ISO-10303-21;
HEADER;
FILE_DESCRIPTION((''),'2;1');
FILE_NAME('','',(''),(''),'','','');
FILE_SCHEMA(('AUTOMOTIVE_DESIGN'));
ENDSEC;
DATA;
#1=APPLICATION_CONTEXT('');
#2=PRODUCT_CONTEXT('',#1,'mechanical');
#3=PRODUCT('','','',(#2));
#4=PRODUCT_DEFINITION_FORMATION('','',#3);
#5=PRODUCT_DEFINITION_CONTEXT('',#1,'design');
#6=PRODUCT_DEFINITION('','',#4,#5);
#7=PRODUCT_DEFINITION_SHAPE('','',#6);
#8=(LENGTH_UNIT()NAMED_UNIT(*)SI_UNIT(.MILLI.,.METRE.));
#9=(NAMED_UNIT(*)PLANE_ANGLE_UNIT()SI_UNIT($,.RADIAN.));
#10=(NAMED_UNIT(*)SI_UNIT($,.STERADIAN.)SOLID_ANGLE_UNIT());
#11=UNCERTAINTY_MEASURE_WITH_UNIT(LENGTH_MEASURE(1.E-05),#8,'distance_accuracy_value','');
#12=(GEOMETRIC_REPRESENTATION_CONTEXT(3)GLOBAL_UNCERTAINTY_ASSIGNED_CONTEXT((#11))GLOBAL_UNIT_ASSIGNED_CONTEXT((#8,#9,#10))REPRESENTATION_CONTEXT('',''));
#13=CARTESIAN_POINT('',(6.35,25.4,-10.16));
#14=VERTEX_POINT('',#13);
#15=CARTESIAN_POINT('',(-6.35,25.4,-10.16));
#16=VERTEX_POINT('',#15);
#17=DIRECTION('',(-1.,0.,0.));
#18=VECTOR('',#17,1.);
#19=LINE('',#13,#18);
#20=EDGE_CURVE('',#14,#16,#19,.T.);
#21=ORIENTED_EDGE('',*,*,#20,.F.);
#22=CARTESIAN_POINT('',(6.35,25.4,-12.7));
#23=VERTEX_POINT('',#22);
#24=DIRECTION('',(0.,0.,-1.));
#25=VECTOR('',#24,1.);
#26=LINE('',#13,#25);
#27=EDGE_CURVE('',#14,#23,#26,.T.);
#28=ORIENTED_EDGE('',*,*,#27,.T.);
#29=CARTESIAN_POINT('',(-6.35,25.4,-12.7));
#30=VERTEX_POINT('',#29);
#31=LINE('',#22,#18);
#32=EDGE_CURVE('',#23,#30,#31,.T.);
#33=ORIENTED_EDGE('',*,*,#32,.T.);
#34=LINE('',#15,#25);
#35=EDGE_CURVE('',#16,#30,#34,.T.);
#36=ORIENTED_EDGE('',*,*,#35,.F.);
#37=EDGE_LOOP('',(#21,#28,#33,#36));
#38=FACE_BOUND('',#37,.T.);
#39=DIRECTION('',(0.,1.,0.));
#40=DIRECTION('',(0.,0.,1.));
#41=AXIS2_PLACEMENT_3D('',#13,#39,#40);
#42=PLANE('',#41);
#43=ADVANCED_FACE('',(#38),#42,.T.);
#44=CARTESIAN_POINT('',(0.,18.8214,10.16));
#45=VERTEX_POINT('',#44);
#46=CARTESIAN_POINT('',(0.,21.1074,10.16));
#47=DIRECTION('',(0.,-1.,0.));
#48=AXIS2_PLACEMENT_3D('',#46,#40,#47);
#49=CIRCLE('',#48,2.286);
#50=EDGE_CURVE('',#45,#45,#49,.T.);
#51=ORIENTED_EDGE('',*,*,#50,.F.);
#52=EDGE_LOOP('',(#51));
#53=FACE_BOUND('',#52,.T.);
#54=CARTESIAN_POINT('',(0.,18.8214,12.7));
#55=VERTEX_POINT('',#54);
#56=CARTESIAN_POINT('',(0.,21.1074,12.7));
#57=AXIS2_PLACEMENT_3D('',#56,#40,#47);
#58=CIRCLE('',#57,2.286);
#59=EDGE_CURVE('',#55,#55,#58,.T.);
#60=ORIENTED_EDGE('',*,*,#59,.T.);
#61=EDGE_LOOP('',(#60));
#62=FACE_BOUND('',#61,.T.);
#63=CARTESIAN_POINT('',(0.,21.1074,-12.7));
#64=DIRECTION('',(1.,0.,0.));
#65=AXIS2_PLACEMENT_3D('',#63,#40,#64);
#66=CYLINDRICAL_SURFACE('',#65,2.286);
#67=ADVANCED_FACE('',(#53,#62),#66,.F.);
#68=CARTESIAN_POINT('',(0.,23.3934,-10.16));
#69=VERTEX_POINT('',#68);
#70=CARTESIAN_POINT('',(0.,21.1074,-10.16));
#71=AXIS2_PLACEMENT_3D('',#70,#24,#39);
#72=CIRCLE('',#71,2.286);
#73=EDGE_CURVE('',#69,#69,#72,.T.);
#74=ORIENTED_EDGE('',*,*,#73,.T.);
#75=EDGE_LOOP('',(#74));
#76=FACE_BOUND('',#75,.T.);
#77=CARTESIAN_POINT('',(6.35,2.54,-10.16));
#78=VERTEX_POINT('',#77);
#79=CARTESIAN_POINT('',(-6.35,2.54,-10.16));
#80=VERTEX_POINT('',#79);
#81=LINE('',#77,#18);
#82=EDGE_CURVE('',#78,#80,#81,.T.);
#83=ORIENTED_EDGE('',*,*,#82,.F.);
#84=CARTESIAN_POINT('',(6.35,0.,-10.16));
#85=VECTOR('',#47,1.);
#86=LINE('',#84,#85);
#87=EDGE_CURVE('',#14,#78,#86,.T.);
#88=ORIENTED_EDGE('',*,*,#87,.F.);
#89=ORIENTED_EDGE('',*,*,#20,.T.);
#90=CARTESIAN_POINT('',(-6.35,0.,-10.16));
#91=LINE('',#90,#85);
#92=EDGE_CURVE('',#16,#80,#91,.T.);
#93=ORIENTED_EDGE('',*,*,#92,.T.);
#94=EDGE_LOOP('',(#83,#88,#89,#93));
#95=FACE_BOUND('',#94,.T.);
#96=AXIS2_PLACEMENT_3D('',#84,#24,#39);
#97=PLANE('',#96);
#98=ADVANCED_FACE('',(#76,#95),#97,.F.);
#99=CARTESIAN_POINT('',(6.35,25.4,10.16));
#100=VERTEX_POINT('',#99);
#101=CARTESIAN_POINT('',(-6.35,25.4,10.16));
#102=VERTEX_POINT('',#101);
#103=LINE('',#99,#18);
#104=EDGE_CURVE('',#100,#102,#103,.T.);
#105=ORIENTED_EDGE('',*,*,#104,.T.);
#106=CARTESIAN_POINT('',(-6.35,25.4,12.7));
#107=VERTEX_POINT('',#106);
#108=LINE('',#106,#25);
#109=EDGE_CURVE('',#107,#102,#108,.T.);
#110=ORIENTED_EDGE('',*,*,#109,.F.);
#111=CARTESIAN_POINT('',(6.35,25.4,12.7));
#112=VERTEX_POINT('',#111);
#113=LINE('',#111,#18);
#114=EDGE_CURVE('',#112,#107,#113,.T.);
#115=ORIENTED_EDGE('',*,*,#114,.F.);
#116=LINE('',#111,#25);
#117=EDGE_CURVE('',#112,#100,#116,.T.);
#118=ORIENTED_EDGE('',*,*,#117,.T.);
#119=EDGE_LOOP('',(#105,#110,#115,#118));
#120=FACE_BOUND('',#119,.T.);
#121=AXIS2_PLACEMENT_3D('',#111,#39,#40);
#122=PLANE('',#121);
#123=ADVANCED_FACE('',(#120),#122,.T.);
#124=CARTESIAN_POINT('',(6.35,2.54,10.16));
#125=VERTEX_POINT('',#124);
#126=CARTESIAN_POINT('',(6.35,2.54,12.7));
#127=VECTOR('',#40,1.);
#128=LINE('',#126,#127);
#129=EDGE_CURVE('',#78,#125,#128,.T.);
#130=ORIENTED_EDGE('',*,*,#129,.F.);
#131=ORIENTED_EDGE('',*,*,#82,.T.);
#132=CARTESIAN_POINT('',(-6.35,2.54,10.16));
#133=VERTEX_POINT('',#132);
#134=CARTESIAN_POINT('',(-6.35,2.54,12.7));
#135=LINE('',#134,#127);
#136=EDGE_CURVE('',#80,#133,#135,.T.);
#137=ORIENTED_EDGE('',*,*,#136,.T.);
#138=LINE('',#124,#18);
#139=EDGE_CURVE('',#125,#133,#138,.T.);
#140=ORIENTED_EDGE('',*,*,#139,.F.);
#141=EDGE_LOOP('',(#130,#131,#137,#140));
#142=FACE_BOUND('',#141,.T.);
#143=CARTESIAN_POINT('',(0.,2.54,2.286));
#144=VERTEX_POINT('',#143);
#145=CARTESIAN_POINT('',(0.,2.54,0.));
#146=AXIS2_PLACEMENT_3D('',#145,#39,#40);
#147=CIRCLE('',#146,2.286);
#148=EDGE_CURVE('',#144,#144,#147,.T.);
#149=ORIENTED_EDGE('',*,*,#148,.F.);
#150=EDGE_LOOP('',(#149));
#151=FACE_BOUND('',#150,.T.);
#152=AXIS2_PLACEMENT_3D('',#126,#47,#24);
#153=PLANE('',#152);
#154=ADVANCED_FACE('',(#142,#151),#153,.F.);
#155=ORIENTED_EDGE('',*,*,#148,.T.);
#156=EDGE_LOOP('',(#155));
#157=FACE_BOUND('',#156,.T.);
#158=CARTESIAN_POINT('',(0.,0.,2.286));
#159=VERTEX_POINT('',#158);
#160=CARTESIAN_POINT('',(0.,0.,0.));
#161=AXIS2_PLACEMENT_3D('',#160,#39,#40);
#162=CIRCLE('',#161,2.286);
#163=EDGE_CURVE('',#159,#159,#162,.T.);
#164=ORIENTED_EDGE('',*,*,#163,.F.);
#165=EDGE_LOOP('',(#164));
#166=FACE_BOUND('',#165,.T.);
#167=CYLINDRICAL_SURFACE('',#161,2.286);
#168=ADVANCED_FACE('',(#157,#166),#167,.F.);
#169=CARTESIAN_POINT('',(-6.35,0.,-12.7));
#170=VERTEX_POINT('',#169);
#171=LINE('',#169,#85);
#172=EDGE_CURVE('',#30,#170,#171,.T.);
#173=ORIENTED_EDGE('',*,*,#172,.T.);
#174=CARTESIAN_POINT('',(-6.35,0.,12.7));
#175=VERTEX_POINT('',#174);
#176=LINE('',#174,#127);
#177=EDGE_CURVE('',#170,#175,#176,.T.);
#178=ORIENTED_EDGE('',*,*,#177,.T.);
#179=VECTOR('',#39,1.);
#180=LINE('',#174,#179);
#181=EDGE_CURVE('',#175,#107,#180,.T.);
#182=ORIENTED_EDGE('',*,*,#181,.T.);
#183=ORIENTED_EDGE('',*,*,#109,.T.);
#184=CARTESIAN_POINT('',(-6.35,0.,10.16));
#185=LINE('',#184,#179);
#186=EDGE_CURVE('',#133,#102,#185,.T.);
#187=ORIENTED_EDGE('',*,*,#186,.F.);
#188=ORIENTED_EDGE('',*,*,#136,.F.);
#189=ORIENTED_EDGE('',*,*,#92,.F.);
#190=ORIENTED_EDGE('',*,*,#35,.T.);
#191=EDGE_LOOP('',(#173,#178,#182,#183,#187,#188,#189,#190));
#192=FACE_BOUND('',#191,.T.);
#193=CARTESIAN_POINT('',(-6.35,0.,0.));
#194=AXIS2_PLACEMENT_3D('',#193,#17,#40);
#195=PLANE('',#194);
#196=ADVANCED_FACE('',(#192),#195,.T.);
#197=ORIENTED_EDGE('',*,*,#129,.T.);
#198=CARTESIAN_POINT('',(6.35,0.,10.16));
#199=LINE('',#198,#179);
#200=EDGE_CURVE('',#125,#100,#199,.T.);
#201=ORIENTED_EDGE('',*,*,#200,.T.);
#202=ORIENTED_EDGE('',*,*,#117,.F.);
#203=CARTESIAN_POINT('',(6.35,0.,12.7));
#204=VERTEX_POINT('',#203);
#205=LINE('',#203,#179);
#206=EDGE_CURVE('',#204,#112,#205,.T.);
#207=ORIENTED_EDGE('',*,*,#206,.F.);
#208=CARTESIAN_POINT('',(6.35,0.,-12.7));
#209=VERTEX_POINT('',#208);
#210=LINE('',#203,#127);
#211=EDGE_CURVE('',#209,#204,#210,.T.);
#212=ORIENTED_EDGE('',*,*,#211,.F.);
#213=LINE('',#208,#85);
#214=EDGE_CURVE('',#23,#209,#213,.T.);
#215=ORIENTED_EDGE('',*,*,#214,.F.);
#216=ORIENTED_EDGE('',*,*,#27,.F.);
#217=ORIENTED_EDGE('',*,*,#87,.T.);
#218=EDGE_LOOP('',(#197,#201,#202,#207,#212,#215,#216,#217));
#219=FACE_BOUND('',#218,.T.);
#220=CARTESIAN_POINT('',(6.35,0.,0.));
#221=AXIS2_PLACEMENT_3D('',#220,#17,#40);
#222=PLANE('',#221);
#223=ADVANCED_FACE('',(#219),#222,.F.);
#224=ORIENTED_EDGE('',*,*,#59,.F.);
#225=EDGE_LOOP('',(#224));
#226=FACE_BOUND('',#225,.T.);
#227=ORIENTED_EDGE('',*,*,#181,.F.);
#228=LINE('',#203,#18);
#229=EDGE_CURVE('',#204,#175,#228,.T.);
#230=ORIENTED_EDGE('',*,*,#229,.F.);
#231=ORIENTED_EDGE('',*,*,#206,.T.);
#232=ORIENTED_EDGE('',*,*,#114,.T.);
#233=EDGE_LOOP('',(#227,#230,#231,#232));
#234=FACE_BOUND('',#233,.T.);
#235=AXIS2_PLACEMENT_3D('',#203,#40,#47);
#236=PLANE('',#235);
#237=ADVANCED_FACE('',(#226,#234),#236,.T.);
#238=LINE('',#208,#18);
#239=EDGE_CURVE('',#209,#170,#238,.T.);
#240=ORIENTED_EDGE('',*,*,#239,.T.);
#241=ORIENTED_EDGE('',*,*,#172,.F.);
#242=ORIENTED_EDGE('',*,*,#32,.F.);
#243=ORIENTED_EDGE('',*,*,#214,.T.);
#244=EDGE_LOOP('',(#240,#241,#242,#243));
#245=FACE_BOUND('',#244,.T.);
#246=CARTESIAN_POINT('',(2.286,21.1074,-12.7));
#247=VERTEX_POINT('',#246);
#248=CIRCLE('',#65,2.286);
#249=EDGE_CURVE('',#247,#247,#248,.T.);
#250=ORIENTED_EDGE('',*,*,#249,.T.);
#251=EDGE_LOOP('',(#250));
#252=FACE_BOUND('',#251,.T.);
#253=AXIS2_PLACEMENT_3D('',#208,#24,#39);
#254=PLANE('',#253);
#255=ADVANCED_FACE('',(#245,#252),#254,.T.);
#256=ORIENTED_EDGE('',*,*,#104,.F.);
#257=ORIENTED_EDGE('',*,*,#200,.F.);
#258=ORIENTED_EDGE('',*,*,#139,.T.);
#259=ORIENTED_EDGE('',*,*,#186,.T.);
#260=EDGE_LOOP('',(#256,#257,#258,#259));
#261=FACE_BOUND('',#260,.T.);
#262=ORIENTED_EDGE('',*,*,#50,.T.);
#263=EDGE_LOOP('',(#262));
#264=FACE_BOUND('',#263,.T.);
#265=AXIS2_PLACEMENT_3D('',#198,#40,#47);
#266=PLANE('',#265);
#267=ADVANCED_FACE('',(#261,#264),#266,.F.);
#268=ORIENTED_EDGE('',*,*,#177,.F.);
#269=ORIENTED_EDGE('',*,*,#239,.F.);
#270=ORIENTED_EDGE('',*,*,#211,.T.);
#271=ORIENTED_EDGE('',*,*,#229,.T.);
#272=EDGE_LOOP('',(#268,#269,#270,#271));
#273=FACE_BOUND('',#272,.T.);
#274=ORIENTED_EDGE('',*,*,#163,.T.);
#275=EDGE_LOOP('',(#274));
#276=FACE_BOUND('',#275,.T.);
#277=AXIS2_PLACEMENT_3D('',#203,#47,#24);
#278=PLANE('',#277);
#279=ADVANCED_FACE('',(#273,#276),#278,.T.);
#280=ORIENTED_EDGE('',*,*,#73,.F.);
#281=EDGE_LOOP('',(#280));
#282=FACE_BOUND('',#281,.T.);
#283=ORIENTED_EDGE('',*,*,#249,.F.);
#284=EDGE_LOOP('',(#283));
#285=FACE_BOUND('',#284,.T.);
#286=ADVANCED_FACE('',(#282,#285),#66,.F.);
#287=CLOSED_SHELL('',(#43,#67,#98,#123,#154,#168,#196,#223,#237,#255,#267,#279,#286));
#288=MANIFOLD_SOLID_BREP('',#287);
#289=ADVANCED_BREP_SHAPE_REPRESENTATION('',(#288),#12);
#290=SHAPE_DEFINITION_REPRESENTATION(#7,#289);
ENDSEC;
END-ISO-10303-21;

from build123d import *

# Parameters (mm, degrees)
EXTRUDE_THIN1_DEPTH     = 6.35
SKETCH4_R               = 2.286
CUT_EXTRUDE1_DEPTH      = 1
CUT_EXTRUDE1_DEPTH_BACK = 26.4
SKETCH5_R               = 2.286
CUT_EXTRUDE2_DEPTH      = 3.54


with BuildPart() as part:
    # Sketch1 → Extrude-Thin1 (new body, symmetric)
    with BuildSketch(Plane(origin=(0, 0, 0), x_dir=(0, 0, -1), z_dir=(1, 0, 0))):
        Polygon((-12.7, 25.4), (-12.7, 0), (12.7, 0), (12.7, 25.4), (10.16, 25.4), (10.16, 2.54), (-10.16, 2.54), (-10.16, 25.4), align=None)
    extrude(amount=EXTRUDE_THIN1_DEPTH, both=True)

    # Sketch4 → Cut-Extrude1 (cut, two sides)
    with BuildSketch(Plane.XY.offset(12.7)) as cut_extrude1_sk:
        with Locations((0, 21.1074)):
            Circle(SKETCH4_R)
    extrude(amount=CUT_EXTRUDE1_DEPTH, mode=Mode.SUBTRACT)
    extrude(cut_extrude1_sk.sketch, amount=-CUT_EXTRUDE1_DEPTH_BACK, mode=Mode.SUBTRACT)

    # Sketch5 → Cut-Extrude2 (cut, through all)
    with BuildSketch(Plane(origin=(0, 2.54, 0), x_dir=(1, 0, 0), z_dir=(0, 1, 0))):
        Circle(SKETCH5_R)
    extrude(amount=-CUT_EXTRUDE2_DEPTH, mode=Mode.SUBTRACT)


solid = part.part
